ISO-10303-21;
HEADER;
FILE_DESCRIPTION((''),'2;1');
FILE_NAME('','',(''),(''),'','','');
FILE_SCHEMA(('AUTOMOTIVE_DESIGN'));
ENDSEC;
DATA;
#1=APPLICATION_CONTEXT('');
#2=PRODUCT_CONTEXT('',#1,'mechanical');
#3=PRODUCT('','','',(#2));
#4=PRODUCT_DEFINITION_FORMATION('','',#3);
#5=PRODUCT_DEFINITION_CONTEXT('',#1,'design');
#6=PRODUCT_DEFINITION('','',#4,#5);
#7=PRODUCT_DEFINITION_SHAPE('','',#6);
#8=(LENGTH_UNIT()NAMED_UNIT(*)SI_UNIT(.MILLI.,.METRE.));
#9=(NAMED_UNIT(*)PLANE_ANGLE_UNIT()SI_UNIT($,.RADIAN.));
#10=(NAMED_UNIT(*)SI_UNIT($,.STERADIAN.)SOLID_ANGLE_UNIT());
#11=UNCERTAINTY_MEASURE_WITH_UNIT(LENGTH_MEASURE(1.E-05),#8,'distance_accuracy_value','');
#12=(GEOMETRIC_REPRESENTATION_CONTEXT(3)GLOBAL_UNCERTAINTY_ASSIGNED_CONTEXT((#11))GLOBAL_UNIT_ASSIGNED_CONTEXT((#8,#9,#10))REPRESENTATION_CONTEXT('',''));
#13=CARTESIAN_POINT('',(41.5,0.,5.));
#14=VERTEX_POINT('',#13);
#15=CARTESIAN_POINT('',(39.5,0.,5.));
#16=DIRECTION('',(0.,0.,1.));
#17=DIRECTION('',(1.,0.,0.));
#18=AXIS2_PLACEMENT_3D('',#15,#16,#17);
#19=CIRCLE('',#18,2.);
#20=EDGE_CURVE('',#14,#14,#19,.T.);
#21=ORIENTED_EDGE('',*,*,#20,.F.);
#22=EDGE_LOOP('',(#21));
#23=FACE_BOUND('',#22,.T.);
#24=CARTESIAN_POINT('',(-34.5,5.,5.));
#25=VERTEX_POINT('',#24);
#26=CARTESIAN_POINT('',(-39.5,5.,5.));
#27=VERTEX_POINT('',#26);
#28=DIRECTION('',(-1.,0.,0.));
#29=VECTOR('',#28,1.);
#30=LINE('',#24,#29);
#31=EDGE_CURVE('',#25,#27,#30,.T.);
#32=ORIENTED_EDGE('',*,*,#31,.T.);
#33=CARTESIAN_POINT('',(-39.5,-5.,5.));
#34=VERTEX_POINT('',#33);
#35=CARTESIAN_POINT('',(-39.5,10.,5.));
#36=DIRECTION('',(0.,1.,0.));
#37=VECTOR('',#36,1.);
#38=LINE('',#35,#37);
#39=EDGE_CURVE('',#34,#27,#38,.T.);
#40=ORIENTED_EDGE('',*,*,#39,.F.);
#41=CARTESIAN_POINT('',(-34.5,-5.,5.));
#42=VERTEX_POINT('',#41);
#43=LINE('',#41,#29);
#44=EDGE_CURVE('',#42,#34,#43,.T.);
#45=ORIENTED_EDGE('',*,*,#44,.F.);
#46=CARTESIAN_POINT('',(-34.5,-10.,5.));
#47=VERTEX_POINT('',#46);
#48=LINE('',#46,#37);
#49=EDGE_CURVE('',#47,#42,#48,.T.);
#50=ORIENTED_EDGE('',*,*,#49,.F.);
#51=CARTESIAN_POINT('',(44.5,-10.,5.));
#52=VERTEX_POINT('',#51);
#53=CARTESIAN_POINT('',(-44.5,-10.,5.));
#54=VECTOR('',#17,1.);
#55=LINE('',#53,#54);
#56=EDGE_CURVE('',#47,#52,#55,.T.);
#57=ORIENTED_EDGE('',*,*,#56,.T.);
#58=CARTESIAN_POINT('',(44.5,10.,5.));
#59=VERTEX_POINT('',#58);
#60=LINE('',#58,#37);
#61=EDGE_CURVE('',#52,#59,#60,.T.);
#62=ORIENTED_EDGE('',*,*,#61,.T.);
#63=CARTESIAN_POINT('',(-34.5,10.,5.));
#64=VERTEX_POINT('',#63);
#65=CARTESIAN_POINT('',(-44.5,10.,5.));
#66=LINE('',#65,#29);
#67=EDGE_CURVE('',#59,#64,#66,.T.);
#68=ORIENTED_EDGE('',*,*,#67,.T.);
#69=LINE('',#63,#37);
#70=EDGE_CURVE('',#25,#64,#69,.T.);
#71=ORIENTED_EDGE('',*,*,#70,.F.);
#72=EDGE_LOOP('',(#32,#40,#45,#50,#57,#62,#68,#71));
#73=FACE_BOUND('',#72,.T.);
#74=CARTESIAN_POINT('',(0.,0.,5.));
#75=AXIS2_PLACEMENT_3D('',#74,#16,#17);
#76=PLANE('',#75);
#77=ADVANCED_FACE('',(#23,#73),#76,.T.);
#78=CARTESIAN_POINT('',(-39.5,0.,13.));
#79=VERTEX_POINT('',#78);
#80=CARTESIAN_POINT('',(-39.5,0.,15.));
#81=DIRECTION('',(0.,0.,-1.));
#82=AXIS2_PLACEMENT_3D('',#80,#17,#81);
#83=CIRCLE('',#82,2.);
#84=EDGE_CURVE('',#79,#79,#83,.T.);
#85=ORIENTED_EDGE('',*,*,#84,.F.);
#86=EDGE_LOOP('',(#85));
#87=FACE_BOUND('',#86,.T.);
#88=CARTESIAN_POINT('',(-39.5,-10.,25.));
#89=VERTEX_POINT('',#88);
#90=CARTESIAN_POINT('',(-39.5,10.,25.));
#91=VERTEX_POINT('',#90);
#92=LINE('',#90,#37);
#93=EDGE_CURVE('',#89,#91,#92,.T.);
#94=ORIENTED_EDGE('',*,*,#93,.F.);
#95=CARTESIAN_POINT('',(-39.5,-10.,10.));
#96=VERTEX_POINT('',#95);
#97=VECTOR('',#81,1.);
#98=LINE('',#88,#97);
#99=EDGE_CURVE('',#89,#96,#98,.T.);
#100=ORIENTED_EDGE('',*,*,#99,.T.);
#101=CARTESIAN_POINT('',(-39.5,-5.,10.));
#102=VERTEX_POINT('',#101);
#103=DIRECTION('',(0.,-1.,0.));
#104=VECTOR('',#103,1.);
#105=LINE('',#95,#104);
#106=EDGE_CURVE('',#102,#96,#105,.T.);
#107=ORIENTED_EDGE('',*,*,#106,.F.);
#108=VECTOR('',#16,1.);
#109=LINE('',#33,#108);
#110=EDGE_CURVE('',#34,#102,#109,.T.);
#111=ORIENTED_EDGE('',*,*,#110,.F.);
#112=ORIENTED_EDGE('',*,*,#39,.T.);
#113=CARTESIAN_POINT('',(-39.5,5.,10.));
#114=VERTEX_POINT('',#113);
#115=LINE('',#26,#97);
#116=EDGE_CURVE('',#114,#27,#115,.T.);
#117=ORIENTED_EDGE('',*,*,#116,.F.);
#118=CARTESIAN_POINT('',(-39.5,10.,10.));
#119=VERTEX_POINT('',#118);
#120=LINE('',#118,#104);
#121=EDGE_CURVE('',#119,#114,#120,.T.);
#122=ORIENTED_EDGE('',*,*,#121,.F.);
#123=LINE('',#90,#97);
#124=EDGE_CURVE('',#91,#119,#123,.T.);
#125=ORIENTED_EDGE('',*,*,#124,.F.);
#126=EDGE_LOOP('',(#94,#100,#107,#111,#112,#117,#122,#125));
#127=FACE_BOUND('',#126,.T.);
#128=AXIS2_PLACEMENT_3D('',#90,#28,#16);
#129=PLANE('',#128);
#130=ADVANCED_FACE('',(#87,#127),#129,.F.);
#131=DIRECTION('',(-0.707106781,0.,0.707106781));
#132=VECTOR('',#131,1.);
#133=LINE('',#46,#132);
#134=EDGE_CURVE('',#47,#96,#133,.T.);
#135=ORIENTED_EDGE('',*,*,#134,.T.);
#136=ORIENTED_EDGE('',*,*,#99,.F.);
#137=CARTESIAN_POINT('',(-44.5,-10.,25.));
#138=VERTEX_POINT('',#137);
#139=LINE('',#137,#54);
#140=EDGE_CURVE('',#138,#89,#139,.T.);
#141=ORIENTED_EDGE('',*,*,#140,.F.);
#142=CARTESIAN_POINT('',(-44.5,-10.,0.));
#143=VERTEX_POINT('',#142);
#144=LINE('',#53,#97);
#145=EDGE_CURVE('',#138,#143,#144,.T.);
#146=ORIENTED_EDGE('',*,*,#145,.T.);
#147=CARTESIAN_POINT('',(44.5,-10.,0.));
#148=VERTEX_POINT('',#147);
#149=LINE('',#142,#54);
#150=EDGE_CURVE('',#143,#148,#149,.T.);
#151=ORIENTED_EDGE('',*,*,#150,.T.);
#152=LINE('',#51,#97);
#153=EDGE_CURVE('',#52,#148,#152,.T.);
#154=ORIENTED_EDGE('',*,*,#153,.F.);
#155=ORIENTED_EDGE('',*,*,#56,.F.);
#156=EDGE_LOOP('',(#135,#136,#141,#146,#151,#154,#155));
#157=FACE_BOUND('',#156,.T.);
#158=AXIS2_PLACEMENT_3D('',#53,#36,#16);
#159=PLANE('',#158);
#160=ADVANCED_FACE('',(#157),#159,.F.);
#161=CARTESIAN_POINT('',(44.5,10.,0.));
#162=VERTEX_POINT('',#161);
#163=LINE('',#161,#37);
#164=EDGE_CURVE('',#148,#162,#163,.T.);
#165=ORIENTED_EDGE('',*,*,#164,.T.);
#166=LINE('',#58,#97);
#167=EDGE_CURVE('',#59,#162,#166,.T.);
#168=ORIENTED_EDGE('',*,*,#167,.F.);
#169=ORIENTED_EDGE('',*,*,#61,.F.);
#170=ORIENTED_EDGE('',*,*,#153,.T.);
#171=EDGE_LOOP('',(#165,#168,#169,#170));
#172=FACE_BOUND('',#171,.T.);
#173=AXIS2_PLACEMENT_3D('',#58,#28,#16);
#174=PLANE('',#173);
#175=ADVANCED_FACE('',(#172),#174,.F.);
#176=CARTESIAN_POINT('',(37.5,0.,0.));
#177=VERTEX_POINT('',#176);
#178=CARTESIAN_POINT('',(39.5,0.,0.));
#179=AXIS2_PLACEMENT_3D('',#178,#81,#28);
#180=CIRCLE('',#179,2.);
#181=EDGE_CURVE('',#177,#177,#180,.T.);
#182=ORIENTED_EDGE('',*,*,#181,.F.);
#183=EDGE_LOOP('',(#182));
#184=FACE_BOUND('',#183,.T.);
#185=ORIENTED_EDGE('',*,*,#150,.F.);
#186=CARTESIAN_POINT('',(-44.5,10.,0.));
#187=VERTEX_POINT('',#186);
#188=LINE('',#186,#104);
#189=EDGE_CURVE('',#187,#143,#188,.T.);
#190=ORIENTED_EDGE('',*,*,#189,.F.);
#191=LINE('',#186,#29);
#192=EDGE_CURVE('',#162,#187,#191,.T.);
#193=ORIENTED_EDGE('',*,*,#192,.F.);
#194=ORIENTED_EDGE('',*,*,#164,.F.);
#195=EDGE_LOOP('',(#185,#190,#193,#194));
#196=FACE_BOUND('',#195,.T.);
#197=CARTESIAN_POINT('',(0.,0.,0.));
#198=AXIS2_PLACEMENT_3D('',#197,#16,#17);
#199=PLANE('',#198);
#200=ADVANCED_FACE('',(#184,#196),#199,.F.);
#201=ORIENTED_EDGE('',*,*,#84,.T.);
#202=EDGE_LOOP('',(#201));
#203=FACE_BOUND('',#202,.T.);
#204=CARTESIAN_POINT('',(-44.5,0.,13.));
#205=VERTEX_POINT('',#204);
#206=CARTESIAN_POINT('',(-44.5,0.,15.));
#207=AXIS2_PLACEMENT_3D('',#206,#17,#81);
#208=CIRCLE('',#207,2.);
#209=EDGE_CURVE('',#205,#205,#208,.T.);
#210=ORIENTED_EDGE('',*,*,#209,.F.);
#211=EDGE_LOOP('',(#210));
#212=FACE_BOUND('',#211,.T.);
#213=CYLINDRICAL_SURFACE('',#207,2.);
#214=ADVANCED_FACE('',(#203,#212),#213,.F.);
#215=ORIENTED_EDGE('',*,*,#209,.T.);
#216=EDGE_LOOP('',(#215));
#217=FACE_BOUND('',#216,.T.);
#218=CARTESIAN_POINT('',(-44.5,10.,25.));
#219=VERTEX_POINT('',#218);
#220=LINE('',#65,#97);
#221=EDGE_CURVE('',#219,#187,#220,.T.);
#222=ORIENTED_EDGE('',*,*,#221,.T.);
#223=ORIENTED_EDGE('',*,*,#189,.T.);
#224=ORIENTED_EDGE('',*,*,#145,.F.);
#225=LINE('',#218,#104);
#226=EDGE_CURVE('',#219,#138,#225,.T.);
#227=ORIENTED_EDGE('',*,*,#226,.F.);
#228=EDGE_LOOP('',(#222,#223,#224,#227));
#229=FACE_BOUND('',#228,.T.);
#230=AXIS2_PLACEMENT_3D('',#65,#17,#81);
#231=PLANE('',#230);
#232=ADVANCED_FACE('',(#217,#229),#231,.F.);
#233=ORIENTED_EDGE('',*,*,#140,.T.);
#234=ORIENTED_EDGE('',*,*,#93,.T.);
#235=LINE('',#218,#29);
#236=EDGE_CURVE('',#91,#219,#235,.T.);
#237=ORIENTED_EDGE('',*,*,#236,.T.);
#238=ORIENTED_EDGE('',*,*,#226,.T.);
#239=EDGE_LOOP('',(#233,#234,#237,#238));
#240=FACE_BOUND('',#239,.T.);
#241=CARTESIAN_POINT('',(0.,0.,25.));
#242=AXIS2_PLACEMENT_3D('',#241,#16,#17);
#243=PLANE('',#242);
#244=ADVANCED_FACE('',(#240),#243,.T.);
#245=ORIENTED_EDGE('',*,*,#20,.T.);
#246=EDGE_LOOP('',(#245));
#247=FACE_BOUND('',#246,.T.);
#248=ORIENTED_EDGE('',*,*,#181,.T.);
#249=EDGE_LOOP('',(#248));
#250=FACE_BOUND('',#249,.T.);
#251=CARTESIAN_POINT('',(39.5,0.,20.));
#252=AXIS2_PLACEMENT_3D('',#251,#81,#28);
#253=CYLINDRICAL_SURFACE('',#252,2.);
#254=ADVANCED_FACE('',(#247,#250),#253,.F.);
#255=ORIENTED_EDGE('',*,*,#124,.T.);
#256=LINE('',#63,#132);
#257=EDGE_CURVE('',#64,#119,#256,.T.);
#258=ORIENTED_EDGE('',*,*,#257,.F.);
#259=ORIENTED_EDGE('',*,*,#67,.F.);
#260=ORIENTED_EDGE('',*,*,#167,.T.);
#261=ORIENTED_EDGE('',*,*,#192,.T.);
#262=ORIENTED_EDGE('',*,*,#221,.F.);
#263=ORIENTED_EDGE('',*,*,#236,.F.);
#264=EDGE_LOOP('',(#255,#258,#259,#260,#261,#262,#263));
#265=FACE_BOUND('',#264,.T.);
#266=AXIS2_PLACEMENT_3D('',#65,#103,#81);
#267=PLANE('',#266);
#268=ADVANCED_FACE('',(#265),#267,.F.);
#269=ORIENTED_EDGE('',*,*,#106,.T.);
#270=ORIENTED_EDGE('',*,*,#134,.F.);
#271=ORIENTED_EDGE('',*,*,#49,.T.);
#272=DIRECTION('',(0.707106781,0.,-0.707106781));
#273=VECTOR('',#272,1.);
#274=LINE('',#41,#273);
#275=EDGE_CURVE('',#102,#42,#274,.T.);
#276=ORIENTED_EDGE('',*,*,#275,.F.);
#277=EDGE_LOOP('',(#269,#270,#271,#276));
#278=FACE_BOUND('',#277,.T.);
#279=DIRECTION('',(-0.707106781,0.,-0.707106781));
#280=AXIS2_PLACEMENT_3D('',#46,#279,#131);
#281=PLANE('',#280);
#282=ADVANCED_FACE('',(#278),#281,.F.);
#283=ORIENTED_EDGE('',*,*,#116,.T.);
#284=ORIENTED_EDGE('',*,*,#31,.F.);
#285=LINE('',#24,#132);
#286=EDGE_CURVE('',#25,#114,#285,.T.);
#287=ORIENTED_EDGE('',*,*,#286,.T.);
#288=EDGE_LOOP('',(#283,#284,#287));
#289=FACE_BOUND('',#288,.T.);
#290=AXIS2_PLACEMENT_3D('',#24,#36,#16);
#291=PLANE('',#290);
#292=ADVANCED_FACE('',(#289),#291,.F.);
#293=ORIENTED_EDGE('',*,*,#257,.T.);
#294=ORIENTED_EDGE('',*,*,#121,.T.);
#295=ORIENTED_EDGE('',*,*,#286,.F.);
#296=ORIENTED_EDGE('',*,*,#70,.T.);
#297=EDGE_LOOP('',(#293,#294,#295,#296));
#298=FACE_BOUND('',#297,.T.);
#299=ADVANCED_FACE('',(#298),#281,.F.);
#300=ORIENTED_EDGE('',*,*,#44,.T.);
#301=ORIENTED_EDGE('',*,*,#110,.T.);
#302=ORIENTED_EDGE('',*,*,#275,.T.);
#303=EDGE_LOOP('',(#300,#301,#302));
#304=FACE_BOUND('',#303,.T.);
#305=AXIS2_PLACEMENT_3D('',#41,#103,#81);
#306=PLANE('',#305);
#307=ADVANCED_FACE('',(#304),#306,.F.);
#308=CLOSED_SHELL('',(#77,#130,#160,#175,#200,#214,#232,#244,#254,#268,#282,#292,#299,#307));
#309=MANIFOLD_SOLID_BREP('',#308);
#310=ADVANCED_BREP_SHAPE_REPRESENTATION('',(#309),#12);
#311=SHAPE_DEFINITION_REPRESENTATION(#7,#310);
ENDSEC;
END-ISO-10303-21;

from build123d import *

# Parameters (mm, degrees)
SKETCH1_W           = 89
SKETCH1_H           = 20
BOSS_EXTRUDE1_DEPTH = 5
SKETCH2_W           = 5
SKETCH2_H           = 20
BOSS_EXTRUDE2_DEPTH = 20
SKETCH3_R           = 2
CUT_EXTRUDE1_DEPTH  = 89.20997676
SKETCH4_R           = 2
CUT_EXTRUDE2_DEPTH  = 20
SKETCH5_W           = 5
SKETCH5_H           = 5
BOSS_EXTRUDE3_DEPTH = 5
CUT_EXTRUDE3_DEPTH  = 55.820160525


with BuildPart() as part:
    # Sketch1 → Boss-Extrude1 (new body)
    with BuildSketch(Plane.XY):
        Rectangle(SKETCH1_W, SKETCH1_H)
    extrude(amount=BOSS_EXTRUDE1_DEPTH)

    # Sketch2 → Boss-Extrude2 (add)
    with BuildSketch(Plane.XY.offset(5)):
        with Locations((-42, 0)):
            Rectangle(SKETCH2_W, SKETCH2_H)
    extrude(amount=BOSS_EXTRUDE2_DEPTH)

    # Sketch3 → Cut-Extrude1 (cut, through all)
    with BuildSketch(Plane(origin=(-39.5, 0, 0), x_dir=(0, 0, -1), z_dir=(1, 0, 0))):
        with Locations((-15, 0)):
            Circle(SKETCH3_R)
    extrude(amount=-CUT_EXTRUDE1_DEPTH, mode=Mode.SUBTRACT)

    # Sketch4 → Cut-Extrude2 (cut)
    with BuildSketch(Plane(origin=(0, 0, 0), x_dir=(-1, 0, 0), z_dir=(0, 0, -1))):
        with Locations((-39.5, 0)):
            Circle(SKETCH4_R)
    extrude(amount=-CUT_EXTRUDE2_DEPTH, mode=Mode.SUBTRACT)

    # Sketch5 → Boss-Extrude3 (add)
    with BuildSketch(Plane(origin=(-39.5, 0, 0), x_dir=(0, 0, -1), z_dir=(1, 0, 0))):
        with Locations((-7.5, -7.5)):
            Rectangle(SKETCH5_W, SKETCH5_H)
        with Locations((-7.5, 7.5)):
            Rectangle(SKETCH5_W, SKETCH5_H)
    extrude(amount=BOSS_EXTRUDE3_DEPTH)

    # Sketch6 → Cut-Extrude3 (cut, through all)
    with BuildSketch(Plane(origin=(0, 10, 0), x_dir=(1, 0, 0), z_dir=(0, 1, 0))):
        Polygon((-34.5, -5), (-39.5, -10), (-34.5, -10), align=None)
    extrude(amount=-CUT_EXTRUDE3_DEPTH, mode=Mode.SUBTRACT)


solid = part.part
